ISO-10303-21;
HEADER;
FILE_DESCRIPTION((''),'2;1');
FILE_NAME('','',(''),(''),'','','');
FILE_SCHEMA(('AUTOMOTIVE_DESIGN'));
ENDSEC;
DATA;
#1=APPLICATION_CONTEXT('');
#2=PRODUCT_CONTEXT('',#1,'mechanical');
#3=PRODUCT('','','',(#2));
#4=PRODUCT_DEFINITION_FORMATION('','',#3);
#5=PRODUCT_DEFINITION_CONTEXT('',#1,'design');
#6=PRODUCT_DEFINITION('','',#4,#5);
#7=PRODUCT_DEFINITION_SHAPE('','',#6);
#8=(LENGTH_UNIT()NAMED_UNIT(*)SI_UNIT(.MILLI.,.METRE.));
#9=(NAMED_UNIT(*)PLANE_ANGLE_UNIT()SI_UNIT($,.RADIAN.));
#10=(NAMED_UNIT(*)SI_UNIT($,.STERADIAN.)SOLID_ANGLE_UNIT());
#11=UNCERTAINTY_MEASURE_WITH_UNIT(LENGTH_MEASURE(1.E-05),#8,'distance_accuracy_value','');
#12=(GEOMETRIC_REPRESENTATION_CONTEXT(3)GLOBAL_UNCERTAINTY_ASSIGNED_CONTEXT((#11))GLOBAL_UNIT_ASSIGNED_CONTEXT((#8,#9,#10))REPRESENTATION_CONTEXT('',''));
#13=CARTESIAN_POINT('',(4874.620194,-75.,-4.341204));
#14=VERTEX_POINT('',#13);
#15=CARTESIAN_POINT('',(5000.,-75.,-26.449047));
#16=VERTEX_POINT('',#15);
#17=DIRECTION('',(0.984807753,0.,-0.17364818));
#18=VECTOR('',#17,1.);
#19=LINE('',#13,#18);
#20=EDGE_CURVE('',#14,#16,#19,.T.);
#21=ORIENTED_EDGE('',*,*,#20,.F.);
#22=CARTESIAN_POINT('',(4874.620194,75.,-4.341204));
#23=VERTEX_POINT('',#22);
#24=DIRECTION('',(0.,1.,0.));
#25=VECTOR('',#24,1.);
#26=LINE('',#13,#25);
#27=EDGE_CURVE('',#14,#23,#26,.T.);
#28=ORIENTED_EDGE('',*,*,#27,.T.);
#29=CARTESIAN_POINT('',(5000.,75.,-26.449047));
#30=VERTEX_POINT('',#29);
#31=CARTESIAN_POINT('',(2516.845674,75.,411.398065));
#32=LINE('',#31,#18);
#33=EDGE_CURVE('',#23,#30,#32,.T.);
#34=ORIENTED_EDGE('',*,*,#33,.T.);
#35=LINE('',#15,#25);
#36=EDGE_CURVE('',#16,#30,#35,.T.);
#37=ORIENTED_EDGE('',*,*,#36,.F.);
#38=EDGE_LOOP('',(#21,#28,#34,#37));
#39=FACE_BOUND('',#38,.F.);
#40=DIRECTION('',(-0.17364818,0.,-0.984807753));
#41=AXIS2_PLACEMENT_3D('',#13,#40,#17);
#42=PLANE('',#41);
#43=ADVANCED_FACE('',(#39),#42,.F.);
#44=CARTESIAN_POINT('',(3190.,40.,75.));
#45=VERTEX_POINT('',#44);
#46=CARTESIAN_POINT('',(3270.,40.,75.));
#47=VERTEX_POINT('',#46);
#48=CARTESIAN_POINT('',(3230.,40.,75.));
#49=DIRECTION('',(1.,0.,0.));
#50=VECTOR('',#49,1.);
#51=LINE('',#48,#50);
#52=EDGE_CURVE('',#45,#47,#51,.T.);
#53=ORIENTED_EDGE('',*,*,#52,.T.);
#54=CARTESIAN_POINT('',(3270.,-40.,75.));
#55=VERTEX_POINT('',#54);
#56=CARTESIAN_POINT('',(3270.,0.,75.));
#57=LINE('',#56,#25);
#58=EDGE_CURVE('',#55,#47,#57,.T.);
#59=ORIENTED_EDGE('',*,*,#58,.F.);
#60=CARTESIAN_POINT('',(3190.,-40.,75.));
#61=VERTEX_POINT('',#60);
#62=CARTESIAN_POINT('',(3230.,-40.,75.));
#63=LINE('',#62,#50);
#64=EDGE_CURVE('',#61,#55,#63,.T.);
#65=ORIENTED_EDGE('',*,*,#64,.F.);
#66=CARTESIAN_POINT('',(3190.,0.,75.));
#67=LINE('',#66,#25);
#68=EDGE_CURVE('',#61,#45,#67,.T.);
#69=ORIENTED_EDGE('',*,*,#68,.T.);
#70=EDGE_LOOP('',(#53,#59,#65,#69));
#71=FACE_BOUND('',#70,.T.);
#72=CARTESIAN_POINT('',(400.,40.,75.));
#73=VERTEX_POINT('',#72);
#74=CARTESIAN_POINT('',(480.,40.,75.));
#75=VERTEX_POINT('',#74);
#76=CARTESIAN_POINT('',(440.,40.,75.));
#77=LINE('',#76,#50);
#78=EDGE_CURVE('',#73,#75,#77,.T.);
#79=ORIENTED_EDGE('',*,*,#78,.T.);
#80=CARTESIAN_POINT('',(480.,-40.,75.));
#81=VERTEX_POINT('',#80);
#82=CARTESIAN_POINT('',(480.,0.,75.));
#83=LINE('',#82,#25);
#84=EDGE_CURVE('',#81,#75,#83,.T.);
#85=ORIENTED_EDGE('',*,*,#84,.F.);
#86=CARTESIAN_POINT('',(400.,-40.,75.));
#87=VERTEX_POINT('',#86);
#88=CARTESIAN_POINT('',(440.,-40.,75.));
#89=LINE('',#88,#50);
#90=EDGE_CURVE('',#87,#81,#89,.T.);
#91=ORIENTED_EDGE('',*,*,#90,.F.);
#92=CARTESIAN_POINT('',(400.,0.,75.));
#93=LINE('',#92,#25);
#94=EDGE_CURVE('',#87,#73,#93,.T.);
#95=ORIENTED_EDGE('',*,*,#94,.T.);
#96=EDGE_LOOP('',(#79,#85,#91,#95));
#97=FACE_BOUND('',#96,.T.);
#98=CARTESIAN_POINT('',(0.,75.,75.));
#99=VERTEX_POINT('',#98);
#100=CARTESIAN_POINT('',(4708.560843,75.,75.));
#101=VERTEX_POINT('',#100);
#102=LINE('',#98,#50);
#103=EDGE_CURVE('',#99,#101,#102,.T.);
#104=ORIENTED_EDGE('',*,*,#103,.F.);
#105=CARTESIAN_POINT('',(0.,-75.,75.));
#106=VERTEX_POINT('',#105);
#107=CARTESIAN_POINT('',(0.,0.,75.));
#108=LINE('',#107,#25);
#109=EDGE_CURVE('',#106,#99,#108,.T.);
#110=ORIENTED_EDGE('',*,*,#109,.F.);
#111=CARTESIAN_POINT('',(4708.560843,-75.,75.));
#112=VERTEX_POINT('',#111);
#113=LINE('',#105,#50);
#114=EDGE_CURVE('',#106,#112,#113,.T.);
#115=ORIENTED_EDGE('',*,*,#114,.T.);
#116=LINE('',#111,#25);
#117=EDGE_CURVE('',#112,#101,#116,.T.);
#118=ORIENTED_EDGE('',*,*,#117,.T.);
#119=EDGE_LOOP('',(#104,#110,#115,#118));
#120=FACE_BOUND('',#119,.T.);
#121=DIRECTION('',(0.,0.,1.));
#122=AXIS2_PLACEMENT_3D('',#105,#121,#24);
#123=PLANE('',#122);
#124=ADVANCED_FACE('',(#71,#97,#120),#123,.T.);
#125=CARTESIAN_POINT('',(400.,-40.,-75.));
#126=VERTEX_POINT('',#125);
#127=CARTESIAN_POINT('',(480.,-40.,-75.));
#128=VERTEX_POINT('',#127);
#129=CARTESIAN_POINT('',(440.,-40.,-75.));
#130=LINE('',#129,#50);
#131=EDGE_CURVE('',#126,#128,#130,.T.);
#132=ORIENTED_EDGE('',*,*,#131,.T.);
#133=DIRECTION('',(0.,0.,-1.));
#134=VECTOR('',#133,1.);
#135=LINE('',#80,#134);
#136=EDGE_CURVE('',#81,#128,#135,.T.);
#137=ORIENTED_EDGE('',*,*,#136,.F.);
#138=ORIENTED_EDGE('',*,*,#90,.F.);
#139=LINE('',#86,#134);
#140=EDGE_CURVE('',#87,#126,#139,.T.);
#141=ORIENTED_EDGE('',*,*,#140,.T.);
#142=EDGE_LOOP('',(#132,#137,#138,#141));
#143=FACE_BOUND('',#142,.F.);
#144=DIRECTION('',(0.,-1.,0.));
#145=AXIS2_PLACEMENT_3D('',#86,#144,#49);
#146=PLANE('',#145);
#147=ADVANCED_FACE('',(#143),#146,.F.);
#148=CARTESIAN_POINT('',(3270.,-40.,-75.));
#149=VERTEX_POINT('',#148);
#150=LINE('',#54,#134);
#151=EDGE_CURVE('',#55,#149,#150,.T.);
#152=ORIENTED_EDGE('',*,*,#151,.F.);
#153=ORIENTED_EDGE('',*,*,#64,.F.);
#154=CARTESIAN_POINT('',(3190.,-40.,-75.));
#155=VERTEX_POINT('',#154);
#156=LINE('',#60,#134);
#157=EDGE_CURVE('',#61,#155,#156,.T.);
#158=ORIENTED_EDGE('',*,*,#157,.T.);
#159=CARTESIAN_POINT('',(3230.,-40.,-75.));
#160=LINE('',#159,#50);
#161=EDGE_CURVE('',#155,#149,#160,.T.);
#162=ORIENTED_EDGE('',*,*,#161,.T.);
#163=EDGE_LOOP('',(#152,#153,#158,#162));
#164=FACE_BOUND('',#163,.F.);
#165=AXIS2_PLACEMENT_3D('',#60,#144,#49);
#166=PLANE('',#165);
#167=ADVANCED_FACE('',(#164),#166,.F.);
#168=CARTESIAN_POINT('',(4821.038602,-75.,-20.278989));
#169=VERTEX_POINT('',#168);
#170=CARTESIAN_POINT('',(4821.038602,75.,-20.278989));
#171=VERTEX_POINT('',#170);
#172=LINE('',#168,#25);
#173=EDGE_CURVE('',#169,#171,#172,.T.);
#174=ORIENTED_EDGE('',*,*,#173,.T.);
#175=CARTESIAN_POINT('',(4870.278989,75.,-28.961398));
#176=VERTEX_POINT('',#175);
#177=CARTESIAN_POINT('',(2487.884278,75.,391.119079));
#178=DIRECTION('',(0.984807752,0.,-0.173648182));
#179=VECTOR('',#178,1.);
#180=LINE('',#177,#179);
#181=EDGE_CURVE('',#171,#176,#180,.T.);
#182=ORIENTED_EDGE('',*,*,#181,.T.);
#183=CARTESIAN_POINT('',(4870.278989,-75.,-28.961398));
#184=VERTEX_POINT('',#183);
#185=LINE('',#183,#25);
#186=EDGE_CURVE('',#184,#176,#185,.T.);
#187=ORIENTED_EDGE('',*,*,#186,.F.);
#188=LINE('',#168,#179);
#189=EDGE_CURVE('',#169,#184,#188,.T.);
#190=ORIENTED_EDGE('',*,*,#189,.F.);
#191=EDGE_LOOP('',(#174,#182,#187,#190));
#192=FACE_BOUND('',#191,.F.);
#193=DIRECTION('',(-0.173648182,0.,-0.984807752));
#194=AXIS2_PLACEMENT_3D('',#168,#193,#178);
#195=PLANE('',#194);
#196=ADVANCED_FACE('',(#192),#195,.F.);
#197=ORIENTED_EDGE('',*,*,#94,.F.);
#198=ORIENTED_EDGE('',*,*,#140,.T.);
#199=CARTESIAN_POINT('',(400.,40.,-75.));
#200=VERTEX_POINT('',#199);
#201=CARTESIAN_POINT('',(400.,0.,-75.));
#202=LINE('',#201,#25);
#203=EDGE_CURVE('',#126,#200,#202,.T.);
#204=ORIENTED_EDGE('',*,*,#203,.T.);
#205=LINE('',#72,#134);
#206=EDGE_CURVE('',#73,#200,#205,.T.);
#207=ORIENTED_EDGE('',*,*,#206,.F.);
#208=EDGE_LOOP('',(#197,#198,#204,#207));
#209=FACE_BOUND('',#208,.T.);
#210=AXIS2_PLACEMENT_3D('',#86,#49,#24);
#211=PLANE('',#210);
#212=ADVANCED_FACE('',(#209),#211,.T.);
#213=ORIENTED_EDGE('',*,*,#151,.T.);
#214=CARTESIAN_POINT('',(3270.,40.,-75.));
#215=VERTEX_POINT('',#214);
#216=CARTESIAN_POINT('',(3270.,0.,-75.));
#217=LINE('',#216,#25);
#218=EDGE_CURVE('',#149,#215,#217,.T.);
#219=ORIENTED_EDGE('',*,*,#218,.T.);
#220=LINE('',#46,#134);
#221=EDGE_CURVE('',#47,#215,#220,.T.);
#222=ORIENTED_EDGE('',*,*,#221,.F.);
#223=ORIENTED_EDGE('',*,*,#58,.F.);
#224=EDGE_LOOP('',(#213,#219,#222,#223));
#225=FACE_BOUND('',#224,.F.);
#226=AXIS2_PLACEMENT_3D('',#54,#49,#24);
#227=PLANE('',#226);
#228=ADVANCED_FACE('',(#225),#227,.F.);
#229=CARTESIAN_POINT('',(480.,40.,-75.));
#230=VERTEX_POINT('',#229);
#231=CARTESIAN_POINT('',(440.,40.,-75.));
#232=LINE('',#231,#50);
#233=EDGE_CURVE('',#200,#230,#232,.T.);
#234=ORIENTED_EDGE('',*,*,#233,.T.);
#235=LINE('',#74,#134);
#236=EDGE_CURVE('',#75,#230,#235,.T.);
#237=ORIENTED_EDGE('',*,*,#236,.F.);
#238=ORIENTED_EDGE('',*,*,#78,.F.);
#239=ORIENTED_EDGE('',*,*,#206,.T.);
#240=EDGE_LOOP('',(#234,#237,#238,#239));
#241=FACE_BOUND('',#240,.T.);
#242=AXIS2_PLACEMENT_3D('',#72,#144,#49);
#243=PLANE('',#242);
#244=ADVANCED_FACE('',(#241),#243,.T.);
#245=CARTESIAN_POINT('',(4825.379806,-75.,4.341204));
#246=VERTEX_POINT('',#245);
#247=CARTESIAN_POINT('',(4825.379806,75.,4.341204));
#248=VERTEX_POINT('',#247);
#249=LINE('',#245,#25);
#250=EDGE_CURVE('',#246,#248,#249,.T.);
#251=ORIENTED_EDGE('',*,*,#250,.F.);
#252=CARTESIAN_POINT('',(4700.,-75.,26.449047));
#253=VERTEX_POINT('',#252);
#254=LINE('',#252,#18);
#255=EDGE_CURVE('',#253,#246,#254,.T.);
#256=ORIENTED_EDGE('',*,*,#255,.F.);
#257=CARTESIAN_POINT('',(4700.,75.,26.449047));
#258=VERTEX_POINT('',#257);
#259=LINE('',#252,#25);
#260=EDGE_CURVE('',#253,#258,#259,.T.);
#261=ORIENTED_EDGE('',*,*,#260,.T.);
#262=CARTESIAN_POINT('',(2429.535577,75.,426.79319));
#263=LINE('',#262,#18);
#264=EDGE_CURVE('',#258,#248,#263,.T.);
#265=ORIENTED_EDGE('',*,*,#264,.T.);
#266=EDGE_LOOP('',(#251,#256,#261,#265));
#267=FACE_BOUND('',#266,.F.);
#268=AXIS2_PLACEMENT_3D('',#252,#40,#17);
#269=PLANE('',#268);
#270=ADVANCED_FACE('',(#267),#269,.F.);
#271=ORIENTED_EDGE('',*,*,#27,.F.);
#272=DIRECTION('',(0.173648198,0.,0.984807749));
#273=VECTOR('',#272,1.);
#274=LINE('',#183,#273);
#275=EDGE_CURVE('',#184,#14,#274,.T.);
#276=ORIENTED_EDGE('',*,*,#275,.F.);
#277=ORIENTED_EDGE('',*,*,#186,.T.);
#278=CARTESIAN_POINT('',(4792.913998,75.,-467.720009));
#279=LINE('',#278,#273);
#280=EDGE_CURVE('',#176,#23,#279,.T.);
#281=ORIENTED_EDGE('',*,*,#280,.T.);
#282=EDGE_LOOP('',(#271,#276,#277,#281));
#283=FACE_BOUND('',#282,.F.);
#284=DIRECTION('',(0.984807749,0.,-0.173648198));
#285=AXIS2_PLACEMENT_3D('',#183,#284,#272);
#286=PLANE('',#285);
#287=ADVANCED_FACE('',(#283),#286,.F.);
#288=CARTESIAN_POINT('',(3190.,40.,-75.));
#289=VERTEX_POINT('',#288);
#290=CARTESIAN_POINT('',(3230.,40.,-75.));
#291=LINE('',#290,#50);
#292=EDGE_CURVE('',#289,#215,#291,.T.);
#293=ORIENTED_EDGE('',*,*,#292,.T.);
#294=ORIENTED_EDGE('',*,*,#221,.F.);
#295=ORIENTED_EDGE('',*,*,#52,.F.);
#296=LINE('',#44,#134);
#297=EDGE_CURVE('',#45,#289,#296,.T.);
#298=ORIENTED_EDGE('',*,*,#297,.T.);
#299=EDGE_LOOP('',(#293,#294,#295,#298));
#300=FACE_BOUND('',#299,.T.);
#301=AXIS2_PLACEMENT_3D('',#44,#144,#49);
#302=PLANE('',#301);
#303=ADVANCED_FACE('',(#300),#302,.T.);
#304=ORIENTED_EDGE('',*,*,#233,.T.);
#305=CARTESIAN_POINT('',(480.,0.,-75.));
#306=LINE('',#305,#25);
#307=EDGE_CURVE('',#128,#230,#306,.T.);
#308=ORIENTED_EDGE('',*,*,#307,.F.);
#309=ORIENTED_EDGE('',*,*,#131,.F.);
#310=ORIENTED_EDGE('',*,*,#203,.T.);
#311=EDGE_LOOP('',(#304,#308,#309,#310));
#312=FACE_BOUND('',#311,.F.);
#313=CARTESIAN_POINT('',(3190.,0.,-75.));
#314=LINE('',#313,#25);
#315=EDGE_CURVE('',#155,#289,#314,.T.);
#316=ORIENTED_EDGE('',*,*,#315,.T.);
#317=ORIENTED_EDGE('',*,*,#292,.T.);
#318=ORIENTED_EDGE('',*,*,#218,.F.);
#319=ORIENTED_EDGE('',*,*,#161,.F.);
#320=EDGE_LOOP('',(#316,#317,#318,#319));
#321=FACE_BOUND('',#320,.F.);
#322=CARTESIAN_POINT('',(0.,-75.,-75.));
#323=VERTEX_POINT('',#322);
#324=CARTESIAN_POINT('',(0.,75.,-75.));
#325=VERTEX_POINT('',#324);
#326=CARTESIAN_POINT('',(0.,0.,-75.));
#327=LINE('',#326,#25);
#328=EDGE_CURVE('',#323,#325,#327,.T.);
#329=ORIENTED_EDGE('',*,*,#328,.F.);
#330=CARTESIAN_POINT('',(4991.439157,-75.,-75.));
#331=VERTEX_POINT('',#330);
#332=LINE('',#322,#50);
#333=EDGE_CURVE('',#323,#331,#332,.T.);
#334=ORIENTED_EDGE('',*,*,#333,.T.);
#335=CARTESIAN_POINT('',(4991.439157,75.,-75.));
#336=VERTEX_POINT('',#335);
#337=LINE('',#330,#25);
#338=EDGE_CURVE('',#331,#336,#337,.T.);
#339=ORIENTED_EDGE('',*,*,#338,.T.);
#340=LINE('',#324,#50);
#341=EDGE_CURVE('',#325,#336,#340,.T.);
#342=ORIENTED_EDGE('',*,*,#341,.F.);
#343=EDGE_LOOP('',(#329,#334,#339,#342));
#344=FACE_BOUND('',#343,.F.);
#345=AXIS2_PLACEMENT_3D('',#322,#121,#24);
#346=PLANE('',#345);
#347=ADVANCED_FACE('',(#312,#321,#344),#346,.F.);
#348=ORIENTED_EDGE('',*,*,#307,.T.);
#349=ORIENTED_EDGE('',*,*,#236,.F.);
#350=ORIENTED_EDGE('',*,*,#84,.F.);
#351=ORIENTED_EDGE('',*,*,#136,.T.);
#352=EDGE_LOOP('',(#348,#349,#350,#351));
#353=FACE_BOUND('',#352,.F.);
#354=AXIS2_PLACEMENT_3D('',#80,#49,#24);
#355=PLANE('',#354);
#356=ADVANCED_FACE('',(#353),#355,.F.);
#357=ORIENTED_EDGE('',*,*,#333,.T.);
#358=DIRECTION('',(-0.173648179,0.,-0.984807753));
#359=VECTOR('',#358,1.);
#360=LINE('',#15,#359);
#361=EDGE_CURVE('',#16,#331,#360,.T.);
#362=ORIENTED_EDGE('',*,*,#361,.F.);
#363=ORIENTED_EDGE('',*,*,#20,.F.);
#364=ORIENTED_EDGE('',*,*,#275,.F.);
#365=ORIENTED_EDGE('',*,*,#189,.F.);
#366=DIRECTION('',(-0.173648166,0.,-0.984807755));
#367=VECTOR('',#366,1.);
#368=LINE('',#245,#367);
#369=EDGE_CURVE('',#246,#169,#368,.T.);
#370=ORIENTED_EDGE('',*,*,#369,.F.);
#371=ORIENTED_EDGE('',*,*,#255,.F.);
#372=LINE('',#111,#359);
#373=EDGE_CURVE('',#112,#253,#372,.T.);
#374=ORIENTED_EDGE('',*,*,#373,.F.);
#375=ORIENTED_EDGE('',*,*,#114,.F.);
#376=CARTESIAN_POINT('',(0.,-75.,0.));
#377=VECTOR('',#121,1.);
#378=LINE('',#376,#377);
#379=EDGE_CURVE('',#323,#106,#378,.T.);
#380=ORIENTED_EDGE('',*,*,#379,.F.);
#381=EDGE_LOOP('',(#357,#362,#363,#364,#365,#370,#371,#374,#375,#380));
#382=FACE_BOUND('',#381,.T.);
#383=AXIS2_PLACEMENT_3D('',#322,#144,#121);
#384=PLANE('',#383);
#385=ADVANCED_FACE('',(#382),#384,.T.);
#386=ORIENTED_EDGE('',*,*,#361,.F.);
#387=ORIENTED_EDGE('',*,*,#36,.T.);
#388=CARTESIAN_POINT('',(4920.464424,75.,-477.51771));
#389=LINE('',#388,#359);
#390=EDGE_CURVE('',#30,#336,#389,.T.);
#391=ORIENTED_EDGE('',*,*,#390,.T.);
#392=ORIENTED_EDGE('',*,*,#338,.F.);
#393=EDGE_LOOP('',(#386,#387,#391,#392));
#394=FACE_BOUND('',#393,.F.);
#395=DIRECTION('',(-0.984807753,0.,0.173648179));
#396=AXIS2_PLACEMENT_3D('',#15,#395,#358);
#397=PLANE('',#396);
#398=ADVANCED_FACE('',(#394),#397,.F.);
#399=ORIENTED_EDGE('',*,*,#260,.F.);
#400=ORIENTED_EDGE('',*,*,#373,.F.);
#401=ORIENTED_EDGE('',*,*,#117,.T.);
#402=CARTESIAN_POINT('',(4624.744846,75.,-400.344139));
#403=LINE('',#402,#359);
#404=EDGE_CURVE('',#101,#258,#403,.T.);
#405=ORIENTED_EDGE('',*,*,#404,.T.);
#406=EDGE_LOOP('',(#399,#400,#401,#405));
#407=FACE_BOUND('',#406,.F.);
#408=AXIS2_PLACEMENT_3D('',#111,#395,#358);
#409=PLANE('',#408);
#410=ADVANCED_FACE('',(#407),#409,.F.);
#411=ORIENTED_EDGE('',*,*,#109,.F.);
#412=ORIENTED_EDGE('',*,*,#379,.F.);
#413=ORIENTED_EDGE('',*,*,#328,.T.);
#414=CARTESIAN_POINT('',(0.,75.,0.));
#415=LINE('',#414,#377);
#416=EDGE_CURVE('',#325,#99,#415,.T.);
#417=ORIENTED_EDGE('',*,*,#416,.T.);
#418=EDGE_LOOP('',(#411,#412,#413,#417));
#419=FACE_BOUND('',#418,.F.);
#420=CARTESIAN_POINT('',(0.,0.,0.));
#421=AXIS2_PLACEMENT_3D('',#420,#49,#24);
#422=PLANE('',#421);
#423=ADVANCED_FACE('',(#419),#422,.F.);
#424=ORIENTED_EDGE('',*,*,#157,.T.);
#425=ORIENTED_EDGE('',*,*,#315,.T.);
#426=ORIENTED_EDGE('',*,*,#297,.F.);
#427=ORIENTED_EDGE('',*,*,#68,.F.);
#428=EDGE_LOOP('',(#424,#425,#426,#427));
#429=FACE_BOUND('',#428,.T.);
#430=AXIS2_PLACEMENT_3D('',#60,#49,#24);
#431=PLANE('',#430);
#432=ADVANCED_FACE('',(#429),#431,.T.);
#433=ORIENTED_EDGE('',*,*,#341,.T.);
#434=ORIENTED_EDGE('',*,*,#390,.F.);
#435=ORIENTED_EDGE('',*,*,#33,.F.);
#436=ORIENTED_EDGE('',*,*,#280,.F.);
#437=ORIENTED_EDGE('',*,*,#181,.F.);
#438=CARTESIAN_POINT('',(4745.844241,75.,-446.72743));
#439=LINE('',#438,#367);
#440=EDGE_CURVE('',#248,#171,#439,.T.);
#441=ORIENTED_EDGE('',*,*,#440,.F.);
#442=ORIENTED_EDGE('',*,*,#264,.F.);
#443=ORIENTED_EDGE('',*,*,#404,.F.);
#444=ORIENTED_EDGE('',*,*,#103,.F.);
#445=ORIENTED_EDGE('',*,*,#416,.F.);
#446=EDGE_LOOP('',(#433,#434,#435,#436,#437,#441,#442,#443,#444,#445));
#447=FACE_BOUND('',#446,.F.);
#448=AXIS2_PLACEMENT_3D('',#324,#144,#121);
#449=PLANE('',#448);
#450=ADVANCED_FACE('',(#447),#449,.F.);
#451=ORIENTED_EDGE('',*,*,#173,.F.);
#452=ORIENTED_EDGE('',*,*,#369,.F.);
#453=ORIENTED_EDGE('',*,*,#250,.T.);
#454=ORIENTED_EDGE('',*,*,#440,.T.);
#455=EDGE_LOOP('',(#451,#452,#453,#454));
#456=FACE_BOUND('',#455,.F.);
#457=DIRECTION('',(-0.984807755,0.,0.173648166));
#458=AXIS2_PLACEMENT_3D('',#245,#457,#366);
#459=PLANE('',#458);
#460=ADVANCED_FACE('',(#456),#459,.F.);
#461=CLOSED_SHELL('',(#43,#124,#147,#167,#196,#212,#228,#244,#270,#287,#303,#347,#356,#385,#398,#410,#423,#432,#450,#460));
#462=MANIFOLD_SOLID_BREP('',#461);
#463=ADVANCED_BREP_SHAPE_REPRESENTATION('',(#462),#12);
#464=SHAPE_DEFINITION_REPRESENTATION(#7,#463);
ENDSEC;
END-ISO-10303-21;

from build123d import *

# Parameters (mm, degrees)
F0_W     = 150
F0_H     = 150
F1_DEPTH = 5000
F3_DEPTH = 150.001
F4_W     = 80
F4_H     = 80
F5_DEPTH = 150


with BuildPart() as f1:
    # F0 (on Right) → F1 (new body)
    with BuildSketch(Plane.YZ):
        Rectangle(F0_W, F0_H)
    extrude(amount=F1_DEPTH)

    # F2 (on face) → F3 (cut, through all)
    with BuildSketch(Plane.XZ.offset(75)):
        Polygon((5000, -75), (5000, -26.449047), (4991.439157, -75), align=None)
        Polygon((5050, 75), (5000, 75), (5000, -26.449047), (5000, -75), (5050, -75), align=None)
        Polygon((4874.620194, -4.341204), (4825.379806, 4.341204), (4821.038602, -20.278989), (4870.278989, -28.961398), align=None)
        Polygon((5000, 75), (4708.560843, 75), (4700, 26.449047), (4825.379806, 4.341204), (4874.620194, -4.341204), (5000, -26.449047), align=None)
    extrude(amount=-F3_DEPTH, mode=Mode.SUBTRACT)

    # F4 (on face) → F5 (cut, through all)
    with BuildSketch(Plane.XY.offset(75)):
        with Locations((440, 0)):
            Rectangle(F4_W, F4_H)
        with Locations((3230, 0)):
            Rectangle(F4_W, F4_H)
    extrude(amount=-F5_DEPTH, mode=Mode.SUBTRACT)


solid = f1.part
